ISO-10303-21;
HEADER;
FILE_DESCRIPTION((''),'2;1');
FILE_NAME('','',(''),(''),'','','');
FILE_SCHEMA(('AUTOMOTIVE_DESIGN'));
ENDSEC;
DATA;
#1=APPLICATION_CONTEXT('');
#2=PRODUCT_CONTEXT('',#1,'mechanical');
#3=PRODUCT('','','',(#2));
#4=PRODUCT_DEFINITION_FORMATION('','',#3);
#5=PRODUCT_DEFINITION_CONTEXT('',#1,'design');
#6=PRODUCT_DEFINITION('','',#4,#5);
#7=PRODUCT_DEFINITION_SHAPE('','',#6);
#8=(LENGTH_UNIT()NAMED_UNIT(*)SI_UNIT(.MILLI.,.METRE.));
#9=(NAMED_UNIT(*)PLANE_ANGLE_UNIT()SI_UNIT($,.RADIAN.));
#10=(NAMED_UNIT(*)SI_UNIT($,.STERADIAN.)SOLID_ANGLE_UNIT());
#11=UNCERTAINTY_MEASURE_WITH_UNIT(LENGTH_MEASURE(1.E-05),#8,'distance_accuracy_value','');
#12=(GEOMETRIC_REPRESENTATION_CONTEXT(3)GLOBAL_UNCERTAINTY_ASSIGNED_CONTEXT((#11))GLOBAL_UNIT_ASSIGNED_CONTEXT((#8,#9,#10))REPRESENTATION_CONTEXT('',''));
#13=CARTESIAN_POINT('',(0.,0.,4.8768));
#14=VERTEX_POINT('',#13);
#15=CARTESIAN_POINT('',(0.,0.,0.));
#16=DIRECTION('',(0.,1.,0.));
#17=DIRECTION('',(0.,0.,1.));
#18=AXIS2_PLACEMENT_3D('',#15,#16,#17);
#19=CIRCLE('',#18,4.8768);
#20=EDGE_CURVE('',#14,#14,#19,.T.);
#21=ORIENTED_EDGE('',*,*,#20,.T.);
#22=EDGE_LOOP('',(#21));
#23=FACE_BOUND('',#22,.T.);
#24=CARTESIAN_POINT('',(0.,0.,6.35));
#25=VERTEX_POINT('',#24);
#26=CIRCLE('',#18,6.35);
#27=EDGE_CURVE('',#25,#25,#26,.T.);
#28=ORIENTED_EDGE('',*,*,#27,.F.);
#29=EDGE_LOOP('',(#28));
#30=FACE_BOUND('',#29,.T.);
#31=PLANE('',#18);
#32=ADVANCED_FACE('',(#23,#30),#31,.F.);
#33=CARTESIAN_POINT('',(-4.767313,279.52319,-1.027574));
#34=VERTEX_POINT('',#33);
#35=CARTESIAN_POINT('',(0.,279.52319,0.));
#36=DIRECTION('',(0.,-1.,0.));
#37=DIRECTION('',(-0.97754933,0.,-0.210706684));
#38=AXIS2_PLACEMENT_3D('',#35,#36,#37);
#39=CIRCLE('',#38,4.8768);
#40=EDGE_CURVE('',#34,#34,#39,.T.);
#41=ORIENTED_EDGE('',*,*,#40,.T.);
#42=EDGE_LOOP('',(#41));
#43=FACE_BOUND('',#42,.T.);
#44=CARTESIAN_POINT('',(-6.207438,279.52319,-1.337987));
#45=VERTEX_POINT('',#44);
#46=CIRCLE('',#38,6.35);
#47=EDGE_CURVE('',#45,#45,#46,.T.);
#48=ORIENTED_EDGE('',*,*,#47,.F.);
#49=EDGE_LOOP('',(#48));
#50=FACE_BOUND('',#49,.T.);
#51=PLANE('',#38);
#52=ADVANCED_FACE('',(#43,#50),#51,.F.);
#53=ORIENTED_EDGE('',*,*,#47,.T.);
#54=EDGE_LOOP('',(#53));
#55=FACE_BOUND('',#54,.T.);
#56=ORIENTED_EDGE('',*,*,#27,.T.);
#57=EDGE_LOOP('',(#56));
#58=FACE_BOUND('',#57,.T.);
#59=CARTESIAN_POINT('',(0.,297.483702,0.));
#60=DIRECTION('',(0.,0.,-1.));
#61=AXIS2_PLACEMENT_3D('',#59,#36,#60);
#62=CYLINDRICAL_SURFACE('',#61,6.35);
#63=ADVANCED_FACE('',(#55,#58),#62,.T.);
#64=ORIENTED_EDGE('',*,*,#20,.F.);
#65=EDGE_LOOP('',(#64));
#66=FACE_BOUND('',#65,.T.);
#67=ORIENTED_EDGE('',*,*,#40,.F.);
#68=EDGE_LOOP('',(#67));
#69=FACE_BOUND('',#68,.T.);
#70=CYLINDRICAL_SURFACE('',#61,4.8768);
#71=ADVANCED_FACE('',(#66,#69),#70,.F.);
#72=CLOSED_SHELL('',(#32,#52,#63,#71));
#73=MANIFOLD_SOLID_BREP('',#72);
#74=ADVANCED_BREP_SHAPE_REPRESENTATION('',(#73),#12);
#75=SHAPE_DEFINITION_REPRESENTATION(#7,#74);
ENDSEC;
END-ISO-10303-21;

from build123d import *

# Parameters (mm, degrees)
SKETCH1_R           = 6.35
SKETCH1_R_2         = 4.8768
BOSS_EXTRUDE1_DEPTH = 279.52319


with BuildPart() as part:
    # Sketch1 → Boss-Extrude1 (new body)
    with BuildSketch(Plane(origin=(0, 0, 0), x_dir=(1, 0, 0), z_dir=(0, 1, 0))):
        with Locations(Location((0, 0, 0), (0, 0, 167.83623105))):
            Circle(SKETCH1_R)
        with Locations(Location((0, 0, 0), (0, 0, 167.83623105))):
            Circle(SKETCH1_R_2, mode=Mode.SUBTRACT)
    extrude(amount=BOSS_EXTRUDE1_DEPTH)


solid = part.part
